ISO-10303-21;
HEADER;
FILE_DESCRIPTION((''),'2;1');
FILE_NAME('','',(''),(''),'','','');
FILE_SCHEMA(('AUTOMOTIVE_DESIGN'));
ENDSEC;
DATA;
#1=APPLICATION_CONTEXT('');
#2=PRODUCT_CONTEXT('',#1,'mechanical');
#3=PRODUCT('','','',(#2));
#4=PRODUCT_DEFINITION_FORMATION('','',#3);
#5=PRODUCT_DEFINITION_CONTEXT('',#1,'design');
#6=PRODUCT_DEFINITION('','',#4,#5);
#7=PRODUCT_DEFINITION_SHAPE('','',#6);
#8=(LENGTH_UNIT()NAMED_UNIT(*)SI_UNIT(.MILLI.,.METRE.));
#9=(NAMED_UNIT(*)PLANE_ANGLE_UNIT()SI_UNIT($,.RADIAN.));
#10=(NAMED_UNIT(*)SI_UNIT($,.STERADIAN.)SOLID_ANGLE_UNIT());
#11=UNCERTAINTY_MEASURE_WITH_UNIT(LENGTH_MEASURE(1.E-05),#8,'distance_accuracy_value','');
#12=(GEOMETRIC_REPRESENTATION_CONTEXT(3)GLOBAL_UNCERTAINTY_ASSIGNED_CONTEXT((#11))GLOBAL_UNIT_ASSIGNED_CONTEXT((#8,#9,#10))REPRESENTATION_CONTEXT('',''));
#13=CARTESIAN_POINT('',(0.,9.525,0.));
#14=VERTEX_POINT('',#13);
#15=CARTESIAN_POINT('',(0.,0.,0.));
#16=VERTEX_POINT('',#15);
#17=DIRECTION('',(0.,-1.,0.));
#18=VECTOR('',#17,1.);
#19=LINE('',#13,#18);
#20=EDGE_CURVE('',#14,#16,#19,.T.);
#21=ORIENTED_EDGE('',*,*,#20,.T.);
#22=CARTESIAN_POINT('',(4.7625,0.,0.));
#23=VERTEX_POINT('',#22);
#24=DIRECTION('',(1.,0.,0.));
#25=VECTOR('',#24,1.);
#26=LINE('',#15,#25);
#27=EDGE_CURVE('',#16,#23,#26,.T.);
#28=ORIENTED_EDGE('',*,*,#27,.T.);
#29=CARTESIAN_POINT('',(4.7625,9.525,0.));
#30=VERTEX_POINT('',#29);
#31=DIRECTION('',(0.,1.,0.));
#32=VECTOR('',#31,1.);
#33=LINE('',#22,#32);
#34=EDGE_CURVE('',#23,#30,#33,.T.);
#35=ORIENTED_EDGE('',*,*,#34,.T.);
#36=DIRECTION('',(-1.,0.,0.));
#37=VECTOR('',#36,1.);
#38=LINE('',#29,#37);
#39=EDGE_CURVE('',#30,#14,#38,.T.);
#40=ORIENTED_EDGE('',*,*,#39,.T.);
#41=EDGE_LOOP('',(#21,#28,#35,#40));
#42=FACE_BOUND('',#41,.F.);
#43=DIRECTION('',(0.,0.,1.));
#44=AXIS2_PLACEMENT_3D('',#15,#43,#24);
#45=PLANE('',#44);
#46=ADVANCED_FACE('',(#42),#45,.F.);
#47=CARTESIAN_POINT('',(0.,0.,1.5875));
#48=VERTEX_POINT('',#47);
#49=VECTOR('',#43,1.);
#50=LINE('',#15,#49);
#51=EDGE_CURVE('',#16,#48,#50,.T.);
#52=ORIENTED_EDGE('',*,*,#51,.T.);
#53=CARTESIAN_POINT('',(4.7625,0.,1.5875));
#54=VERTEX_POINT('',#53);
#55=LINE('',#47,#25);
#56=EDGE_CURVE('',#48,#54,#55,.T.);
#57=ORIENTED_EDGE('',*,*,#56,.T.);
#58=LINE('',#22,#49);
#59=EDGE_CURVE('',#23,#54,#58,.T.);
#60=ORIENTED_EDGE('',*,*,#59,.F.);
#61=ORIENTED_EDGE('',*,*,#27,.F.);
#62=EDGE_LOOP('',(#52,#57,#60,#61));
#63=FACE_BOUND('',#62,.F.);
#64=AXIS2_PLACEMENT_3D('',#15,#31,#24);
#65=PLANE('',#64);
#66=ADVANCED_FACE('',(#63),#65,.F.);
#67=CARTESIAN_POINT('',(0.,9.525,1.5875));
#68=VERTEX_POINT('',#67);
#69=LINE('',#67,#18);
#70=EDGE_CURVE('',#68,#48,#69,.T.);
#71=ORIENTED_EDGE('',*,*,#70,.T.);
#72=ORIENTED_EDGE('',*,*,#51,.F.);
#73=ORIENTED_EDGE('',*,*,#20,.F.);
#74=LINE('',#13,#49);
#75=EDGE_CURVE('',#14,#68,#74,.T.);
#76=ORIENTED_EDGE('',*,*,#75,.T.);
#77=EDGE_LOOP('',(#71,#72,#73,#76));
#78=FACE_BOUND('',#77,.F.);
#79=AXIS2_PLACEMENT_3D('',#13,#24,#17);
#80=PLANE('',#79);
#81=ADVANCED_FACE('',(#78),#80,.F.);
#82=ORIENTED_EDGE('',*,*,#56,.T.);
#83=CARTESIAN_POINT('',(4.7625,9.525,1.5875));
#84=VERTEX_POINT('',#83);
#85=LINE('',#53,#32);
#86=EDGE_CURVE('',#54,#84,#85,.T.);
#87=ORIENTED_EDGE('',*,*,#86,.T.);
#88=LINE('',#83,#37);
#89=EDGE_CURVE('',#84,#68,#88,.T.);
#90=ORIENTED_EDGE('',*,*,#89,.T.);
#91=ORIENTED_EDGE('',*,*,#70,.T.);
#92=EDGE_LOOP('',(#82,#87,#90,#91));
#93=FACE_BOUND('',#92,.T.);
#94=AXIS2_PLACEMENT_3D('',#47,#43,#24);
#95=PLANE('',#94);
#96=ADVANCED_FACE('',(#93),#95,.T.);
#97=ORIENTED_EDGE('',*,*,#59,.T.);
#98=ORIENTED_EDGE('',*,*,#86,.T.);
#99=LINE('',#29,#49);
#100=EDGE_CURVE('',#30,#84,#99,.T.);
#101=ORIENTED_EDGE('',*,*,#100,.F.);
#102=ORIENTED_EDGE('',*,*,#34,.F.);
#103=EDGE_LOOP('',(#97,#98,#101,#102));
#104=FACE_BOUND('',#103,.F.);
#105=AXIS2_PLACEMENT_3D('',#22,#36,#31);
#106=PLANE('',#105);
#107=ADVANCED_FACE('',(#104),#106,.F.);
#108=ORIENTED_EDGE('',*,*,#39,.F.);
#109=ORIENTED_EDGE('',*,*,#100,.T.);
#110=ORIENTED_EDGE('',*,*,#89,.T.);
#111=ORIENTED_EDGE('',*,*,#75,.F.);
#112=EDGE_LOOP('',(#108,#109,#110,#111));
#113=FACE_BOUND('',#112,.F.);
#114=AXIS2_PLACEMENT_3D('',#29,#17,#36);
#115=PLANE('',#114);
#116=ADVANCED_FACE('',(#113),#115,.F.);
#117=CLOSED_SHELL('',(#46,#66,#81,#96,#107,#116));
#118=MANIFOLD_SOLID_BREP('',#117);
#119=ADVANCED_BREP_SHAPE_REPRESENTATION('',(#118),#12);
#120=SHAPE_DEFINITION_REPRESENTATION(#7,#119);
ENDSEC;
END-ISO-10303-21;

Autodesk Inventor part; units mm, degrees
ref_plane "YZ Plane" through (0, 0, 0) normal (1, 0, 0) x (0, 1, 0)
ref_plane "XZ Plane" through (0, 0, 0) normal (0, 1, 0) x (-1, 0, 0)
ref_plane "XY Plane" through (0, 0, 0) normal (0, 0, 1) x (1, 0, 0)
sketch "Sketch1" plane through (0, 0, 0) normal (0, 0, 1) x (1, 0, 0)
  line L0 (0, 0) -> (4.7625, 0)
  line L1 (4.7625, 0) -> (4.7625, 9.525)
  line L2 (4.7625, 9.525) -> (0, 9.525)
  line L3 (0, 9.525) -> (0, 0)
  dimension "d0" = 4.7625
  dimension "d1" = 9.525
extrude "Extrusion1" add sketch "Sketch1" along normal blind 1.5875
properties part number "MagLock Magnet"
